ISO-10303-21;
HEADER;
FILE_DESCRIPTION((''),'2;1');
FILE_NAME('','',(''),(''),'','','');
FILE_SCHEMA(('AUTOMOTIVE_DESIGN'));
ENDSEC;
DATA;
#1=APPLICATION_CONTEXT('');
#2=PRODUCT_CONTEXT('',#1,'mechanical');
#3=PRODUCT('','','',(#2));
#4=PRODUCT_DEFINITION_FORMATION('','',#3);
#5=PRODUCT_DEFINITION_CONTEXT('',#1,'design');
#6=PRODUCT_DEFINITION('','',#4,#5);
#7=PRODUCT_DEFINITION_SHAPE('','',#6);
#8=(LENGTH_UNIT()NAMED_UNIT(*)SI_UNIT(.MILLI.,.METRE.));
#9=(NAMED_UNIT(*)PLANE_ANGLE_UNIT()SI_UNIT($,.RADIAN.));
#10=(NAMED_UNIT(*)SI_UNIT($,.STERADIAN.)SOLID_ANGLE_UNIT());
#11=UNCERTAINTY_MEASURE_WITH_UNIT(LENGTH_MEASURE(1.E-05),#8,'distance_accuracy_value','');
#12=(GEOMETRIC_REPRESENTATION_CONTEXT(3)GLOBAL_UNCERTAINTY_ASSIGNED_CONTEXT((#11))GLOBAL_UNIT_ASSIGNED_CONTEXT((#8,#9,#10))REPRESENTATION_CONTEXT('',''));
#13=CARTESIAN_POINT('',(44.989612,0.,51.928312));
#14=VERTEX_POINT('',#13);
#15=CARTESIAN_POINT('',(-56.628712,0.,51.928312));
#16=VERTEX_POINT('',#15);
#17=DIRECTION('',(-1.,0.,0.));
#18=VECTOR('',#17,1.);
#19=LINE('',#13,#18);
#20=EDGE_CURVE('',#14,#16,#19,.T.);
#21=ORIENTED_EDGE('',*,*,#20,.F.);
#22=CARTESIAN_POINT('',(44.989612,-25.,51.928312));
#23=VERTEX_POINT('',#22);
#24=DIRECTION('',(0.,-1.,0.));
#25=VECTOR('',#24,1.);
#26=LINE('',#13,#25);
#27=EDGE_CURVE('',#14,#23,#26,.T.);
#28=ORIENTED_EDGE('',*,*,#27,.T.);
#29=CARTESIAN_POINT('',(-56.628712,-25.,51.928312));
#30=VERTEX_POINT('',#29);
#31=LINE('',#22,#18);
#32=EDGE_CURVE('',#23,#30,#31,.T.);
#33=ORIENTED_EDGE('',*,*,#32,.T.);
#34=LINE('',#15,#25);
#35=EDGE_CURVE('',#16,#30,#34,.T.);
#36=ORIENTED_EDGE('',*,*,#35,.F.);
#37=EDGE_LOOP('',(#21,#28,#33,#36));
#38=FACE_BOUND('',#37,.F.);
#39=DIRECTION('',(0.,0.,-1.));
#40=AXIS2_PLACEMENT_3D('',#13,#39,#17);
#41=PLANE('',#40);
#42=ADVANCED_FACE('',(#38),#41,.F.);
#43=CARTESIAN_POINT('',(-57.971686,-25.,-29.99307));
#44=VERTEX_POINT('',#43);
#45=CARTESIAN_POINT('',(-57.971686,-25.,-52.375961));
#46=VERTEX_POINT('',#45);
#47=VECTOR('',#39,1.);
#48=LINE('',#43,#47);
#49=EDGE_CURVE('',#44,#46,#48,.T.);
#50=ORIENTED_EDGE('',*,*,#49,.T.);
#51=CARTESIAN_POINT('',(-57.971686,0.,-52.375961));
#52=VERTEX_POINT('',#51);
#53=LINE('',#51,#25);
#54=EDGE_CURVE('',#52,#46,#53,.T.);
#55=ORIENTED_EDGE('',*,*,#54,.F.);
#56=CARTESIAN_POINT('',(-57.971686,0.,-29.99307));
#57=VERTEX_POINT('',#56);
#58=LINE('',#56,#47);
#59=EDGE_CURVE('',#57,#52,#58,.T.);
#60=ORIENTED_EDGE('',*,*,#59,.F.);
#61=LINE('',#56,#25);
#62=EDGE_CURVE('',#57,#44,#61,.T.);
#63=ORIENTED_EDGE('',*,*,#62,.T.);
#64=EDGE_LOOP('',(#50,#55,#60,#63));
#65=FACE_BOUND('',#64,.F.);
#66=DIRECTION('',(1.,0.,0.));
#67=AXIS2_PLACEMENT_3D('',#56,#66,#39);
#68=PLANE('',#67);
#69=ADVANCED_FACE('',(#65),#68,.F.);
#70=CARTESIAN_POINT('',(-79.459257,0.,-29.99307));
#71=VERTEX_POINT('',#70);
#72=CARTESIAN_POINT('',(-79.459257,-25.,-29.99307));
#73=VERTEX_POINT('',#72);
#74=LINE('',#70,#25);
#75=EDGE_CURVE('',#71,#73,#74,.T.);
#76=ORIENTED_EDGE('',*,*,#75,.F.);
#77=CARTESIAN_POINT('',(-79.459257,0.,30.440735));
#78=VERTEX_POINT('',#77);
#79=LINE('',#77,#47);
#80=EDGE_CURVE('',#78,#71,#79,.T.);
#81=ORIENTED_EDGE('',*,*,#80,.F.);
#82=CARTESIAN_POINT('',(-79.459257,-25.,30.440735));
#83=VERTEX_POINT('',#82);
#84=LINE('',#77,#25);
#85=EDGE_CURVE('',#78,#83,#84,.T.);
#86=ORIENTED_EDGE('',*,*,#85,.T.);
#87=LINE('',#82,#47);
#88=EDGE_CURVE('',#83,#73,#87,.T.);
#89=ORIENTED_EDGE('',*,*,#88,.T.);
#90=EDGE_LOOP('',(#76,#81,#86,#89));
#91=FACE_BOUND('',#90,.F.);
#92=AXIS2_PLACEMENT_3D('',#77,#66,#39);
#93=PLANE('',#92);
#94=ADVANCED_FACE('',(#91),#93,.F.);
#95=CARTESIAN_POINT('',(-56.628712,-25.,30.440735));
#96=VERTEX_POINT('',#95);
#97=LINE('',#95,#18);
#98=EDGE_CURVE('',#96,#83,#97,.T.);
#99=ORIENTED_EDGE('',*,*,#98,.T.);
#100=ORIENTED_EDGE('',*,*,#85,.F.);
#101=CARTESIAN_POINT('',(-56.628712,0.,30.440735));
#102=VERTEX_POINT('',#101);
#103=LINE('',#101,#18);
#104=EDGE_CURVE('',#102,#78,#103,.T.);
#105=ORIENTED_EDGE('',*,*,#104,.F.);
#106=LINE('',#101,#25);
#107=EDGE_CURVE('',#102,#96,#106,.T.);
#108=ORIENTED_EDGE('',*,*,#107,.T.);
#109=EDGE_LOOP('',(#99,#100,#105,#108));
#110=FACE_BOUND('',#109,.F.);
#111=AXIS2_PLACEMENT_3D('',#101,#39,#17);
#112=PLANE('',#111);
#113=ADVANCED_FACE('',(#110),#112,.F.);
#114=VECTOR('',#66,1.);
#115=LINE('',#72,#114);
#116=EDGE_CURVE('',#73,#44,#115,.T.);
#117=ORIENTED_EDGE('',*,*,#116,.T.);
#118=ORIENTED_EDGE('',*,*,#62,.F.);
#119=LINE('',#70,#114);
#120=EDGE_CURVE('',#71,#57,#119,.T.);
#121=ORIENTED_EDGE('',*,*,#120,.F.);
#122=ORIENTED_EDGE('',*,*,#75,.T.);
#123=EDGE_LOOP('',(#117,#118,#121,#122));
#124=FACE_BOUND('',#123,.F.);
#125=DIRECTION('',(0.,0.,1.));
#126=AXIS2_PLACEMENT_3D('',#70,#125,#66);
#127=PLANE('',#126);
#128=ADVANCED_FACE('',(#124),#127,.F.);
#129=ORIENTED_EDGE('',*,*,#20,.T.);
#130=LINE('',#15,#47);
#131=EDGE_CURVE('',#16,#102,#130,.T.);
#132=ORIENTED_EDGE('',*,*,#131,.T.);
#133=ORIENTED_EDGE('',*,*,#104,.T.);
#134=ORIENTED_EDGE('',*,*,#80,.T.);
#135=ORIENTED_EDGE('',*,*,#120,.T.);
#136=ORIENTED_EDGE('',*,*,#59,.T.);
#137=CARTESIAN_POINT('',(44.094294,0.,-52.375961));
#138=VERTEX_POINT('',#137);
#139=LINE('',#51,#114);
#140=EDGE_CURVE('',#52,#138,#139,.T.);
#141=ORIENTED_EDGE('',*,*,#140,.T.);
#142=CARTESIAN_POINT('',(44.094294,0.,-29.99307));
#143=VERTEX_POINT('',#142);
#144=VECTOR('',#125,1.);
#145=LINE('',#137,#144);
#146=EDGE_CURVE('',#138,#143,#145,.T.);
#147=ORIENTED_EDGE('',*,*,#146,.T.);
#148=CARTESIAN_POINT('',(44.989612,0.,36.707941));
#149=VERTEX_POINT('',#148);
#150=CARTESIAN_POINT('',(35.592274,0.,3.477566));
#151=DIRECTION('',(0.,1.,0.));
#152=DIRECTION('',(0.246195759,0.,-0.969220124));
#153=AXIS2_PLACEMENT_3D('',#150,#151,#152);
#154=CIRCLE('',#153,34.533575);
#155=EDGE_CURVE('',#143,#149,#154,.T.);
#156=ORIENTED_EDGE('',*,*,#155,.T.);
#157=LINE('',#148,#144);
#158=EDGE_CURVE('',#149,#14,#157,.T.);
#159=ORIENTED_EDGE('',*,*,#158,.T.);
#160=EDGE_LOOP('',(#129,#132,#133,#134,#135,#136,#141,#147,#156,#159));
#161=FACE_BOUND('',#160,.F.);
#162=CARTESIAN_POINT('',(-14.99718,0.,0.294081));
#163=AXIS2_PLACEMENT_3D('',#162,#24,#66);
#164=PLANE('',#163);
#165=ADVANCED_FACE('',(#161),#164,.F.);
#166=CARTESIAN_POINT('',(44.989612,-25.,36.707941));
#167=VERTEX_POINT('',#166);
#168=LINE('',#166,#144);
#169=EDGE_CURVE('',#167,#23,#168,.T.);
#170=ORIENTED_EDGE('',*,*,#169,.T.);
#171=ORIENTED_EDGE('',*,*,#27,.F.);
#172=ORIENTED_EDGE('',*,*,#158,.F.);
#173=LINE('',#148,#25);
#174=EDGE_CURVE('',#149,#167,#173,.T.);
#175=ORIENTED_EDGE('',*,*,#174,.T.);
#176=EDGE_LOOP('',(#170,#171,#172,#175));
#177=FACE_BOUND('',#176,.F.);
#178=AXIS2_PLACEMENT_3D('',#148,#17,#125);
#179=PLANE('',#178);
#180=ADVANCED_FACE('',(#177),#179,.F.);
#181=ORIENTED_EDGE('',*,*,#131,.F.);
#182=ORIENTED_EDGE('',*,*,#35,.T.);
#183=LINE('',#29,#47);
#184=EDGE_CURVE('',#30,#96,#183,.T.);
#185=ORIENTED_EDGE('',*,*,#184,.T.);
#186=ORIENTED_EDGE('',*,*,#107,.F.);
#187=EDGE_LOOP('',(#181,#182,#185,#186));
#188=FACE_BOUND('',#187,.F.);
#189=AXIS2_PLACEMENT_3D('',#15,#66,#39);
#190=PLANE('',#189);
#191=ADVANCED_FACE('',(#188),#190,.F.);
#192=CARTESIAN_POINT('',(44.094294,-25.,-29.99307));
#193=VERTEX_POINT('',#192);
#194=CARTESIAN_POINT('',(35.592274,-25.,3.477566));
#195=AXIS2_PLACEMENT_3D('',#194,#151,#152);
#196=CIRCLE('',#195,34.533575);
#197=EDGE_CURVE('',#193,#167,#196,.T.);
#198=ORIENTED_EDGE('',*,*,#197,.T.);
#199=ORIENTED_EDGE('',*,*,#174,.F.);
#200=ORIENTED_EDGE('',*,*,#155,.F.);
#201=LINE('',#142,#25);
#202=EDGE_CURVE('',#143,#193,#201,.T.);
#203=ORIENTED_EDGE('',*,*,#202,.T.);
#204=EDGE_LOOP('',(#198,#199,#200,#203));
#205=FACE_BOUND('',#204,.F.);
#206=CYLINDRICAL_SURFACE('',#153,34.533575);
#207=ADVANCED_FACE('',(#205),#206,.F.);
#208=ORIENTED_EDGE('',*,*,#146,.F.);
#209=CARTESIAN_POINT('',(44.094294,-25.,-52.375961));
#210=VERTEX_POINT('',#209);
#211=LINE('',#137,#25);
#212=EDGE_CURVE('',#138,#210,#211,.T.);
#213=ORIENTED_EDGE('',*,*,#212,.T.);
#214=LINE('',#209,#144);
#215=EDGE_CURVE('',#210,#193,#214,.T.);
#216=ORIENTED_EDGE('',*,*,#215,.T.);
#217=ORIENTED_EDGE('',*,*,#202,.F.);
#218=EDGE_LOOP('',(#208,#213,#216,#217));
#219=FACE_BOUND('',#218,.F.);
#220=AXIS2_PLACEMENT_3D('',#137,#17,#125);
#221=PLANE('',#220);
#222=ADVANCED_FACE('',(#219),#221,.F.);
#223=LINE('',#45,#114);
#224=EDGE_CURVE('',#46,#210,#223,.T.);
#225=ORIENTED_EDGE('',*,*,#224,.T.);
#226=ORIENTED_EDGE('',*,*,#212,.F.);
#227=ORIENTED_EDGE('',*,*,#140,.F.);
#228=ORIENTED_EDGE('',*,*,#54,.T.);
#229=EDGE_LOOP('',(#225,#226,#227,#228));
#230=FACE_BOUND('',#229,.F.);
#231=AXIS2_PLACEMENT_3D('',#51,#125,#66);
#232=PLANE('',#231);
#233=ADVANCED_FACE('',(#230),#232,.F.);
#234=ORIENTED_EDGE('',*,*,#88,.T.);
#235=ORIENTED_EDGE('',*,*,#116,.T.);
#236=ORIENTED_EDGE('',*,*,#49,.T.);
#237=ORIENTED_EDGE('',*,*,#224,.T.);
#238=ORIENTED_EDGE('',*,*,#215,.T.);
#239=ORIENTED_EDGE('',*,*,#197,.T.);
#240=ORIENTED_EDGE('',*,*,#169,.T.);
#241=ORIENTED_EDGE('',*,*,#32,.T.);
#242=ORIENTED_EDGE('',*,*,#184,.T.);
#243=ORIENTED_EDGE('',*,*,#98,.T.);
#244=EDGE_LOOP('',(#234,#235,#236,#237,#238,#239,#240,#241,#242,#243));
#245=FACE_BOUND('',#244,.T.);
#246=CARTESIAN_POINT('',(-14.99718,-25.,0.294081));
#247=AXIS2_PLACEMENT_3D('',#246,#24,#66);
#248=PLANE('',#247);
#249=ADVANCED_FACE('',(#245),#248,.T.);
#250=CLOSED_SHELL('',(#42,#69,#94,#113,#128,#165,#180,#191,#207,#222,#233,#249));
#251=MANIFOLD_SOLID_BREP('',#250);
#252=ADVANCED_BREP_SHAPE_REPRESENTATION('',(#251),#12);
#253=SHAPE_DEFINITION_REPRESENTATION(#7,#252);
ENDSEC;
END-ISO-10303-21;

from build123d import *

# Parameters (mm, degrees)
F1_DEPTH = 25


with BuildPart() as f1:
    # F0 (on Front) → F1 (new body)
    with BuildSketch(Plane.XZ):
        with BuildLine():
            Line((44.989612, 51.928312), (-56.628712, 51.928312))
            Line((-56.628712, 51.928312), (-56.628712, 30.440735))
            Line((-56.628712, 30.440735), (-79.459257, 30.440735))
            Line((-79.459257, 30.440735), (-79.459257, -29.99307))
            Line((-79.459257, -29.99307), (-57.971686, -29.99307))
            Line((-57.971686, -29.99307), (-57.971686, -52.375961))
            Line((-57.971686, -52.375961), (44.094294, -52.375961))
            Line((44.094294, -52.375961), (44.094294, -29.99307))
            ThreePointArc((44.094294, -29.99307), (1.06181, 3.941063), (44.989612, 36.707941))
            Line((44.989612, 36.707941), (44.989612, 51.928312))
        make_face()
    extrude(amount=F1_DEPTH)


solid = f1.part
